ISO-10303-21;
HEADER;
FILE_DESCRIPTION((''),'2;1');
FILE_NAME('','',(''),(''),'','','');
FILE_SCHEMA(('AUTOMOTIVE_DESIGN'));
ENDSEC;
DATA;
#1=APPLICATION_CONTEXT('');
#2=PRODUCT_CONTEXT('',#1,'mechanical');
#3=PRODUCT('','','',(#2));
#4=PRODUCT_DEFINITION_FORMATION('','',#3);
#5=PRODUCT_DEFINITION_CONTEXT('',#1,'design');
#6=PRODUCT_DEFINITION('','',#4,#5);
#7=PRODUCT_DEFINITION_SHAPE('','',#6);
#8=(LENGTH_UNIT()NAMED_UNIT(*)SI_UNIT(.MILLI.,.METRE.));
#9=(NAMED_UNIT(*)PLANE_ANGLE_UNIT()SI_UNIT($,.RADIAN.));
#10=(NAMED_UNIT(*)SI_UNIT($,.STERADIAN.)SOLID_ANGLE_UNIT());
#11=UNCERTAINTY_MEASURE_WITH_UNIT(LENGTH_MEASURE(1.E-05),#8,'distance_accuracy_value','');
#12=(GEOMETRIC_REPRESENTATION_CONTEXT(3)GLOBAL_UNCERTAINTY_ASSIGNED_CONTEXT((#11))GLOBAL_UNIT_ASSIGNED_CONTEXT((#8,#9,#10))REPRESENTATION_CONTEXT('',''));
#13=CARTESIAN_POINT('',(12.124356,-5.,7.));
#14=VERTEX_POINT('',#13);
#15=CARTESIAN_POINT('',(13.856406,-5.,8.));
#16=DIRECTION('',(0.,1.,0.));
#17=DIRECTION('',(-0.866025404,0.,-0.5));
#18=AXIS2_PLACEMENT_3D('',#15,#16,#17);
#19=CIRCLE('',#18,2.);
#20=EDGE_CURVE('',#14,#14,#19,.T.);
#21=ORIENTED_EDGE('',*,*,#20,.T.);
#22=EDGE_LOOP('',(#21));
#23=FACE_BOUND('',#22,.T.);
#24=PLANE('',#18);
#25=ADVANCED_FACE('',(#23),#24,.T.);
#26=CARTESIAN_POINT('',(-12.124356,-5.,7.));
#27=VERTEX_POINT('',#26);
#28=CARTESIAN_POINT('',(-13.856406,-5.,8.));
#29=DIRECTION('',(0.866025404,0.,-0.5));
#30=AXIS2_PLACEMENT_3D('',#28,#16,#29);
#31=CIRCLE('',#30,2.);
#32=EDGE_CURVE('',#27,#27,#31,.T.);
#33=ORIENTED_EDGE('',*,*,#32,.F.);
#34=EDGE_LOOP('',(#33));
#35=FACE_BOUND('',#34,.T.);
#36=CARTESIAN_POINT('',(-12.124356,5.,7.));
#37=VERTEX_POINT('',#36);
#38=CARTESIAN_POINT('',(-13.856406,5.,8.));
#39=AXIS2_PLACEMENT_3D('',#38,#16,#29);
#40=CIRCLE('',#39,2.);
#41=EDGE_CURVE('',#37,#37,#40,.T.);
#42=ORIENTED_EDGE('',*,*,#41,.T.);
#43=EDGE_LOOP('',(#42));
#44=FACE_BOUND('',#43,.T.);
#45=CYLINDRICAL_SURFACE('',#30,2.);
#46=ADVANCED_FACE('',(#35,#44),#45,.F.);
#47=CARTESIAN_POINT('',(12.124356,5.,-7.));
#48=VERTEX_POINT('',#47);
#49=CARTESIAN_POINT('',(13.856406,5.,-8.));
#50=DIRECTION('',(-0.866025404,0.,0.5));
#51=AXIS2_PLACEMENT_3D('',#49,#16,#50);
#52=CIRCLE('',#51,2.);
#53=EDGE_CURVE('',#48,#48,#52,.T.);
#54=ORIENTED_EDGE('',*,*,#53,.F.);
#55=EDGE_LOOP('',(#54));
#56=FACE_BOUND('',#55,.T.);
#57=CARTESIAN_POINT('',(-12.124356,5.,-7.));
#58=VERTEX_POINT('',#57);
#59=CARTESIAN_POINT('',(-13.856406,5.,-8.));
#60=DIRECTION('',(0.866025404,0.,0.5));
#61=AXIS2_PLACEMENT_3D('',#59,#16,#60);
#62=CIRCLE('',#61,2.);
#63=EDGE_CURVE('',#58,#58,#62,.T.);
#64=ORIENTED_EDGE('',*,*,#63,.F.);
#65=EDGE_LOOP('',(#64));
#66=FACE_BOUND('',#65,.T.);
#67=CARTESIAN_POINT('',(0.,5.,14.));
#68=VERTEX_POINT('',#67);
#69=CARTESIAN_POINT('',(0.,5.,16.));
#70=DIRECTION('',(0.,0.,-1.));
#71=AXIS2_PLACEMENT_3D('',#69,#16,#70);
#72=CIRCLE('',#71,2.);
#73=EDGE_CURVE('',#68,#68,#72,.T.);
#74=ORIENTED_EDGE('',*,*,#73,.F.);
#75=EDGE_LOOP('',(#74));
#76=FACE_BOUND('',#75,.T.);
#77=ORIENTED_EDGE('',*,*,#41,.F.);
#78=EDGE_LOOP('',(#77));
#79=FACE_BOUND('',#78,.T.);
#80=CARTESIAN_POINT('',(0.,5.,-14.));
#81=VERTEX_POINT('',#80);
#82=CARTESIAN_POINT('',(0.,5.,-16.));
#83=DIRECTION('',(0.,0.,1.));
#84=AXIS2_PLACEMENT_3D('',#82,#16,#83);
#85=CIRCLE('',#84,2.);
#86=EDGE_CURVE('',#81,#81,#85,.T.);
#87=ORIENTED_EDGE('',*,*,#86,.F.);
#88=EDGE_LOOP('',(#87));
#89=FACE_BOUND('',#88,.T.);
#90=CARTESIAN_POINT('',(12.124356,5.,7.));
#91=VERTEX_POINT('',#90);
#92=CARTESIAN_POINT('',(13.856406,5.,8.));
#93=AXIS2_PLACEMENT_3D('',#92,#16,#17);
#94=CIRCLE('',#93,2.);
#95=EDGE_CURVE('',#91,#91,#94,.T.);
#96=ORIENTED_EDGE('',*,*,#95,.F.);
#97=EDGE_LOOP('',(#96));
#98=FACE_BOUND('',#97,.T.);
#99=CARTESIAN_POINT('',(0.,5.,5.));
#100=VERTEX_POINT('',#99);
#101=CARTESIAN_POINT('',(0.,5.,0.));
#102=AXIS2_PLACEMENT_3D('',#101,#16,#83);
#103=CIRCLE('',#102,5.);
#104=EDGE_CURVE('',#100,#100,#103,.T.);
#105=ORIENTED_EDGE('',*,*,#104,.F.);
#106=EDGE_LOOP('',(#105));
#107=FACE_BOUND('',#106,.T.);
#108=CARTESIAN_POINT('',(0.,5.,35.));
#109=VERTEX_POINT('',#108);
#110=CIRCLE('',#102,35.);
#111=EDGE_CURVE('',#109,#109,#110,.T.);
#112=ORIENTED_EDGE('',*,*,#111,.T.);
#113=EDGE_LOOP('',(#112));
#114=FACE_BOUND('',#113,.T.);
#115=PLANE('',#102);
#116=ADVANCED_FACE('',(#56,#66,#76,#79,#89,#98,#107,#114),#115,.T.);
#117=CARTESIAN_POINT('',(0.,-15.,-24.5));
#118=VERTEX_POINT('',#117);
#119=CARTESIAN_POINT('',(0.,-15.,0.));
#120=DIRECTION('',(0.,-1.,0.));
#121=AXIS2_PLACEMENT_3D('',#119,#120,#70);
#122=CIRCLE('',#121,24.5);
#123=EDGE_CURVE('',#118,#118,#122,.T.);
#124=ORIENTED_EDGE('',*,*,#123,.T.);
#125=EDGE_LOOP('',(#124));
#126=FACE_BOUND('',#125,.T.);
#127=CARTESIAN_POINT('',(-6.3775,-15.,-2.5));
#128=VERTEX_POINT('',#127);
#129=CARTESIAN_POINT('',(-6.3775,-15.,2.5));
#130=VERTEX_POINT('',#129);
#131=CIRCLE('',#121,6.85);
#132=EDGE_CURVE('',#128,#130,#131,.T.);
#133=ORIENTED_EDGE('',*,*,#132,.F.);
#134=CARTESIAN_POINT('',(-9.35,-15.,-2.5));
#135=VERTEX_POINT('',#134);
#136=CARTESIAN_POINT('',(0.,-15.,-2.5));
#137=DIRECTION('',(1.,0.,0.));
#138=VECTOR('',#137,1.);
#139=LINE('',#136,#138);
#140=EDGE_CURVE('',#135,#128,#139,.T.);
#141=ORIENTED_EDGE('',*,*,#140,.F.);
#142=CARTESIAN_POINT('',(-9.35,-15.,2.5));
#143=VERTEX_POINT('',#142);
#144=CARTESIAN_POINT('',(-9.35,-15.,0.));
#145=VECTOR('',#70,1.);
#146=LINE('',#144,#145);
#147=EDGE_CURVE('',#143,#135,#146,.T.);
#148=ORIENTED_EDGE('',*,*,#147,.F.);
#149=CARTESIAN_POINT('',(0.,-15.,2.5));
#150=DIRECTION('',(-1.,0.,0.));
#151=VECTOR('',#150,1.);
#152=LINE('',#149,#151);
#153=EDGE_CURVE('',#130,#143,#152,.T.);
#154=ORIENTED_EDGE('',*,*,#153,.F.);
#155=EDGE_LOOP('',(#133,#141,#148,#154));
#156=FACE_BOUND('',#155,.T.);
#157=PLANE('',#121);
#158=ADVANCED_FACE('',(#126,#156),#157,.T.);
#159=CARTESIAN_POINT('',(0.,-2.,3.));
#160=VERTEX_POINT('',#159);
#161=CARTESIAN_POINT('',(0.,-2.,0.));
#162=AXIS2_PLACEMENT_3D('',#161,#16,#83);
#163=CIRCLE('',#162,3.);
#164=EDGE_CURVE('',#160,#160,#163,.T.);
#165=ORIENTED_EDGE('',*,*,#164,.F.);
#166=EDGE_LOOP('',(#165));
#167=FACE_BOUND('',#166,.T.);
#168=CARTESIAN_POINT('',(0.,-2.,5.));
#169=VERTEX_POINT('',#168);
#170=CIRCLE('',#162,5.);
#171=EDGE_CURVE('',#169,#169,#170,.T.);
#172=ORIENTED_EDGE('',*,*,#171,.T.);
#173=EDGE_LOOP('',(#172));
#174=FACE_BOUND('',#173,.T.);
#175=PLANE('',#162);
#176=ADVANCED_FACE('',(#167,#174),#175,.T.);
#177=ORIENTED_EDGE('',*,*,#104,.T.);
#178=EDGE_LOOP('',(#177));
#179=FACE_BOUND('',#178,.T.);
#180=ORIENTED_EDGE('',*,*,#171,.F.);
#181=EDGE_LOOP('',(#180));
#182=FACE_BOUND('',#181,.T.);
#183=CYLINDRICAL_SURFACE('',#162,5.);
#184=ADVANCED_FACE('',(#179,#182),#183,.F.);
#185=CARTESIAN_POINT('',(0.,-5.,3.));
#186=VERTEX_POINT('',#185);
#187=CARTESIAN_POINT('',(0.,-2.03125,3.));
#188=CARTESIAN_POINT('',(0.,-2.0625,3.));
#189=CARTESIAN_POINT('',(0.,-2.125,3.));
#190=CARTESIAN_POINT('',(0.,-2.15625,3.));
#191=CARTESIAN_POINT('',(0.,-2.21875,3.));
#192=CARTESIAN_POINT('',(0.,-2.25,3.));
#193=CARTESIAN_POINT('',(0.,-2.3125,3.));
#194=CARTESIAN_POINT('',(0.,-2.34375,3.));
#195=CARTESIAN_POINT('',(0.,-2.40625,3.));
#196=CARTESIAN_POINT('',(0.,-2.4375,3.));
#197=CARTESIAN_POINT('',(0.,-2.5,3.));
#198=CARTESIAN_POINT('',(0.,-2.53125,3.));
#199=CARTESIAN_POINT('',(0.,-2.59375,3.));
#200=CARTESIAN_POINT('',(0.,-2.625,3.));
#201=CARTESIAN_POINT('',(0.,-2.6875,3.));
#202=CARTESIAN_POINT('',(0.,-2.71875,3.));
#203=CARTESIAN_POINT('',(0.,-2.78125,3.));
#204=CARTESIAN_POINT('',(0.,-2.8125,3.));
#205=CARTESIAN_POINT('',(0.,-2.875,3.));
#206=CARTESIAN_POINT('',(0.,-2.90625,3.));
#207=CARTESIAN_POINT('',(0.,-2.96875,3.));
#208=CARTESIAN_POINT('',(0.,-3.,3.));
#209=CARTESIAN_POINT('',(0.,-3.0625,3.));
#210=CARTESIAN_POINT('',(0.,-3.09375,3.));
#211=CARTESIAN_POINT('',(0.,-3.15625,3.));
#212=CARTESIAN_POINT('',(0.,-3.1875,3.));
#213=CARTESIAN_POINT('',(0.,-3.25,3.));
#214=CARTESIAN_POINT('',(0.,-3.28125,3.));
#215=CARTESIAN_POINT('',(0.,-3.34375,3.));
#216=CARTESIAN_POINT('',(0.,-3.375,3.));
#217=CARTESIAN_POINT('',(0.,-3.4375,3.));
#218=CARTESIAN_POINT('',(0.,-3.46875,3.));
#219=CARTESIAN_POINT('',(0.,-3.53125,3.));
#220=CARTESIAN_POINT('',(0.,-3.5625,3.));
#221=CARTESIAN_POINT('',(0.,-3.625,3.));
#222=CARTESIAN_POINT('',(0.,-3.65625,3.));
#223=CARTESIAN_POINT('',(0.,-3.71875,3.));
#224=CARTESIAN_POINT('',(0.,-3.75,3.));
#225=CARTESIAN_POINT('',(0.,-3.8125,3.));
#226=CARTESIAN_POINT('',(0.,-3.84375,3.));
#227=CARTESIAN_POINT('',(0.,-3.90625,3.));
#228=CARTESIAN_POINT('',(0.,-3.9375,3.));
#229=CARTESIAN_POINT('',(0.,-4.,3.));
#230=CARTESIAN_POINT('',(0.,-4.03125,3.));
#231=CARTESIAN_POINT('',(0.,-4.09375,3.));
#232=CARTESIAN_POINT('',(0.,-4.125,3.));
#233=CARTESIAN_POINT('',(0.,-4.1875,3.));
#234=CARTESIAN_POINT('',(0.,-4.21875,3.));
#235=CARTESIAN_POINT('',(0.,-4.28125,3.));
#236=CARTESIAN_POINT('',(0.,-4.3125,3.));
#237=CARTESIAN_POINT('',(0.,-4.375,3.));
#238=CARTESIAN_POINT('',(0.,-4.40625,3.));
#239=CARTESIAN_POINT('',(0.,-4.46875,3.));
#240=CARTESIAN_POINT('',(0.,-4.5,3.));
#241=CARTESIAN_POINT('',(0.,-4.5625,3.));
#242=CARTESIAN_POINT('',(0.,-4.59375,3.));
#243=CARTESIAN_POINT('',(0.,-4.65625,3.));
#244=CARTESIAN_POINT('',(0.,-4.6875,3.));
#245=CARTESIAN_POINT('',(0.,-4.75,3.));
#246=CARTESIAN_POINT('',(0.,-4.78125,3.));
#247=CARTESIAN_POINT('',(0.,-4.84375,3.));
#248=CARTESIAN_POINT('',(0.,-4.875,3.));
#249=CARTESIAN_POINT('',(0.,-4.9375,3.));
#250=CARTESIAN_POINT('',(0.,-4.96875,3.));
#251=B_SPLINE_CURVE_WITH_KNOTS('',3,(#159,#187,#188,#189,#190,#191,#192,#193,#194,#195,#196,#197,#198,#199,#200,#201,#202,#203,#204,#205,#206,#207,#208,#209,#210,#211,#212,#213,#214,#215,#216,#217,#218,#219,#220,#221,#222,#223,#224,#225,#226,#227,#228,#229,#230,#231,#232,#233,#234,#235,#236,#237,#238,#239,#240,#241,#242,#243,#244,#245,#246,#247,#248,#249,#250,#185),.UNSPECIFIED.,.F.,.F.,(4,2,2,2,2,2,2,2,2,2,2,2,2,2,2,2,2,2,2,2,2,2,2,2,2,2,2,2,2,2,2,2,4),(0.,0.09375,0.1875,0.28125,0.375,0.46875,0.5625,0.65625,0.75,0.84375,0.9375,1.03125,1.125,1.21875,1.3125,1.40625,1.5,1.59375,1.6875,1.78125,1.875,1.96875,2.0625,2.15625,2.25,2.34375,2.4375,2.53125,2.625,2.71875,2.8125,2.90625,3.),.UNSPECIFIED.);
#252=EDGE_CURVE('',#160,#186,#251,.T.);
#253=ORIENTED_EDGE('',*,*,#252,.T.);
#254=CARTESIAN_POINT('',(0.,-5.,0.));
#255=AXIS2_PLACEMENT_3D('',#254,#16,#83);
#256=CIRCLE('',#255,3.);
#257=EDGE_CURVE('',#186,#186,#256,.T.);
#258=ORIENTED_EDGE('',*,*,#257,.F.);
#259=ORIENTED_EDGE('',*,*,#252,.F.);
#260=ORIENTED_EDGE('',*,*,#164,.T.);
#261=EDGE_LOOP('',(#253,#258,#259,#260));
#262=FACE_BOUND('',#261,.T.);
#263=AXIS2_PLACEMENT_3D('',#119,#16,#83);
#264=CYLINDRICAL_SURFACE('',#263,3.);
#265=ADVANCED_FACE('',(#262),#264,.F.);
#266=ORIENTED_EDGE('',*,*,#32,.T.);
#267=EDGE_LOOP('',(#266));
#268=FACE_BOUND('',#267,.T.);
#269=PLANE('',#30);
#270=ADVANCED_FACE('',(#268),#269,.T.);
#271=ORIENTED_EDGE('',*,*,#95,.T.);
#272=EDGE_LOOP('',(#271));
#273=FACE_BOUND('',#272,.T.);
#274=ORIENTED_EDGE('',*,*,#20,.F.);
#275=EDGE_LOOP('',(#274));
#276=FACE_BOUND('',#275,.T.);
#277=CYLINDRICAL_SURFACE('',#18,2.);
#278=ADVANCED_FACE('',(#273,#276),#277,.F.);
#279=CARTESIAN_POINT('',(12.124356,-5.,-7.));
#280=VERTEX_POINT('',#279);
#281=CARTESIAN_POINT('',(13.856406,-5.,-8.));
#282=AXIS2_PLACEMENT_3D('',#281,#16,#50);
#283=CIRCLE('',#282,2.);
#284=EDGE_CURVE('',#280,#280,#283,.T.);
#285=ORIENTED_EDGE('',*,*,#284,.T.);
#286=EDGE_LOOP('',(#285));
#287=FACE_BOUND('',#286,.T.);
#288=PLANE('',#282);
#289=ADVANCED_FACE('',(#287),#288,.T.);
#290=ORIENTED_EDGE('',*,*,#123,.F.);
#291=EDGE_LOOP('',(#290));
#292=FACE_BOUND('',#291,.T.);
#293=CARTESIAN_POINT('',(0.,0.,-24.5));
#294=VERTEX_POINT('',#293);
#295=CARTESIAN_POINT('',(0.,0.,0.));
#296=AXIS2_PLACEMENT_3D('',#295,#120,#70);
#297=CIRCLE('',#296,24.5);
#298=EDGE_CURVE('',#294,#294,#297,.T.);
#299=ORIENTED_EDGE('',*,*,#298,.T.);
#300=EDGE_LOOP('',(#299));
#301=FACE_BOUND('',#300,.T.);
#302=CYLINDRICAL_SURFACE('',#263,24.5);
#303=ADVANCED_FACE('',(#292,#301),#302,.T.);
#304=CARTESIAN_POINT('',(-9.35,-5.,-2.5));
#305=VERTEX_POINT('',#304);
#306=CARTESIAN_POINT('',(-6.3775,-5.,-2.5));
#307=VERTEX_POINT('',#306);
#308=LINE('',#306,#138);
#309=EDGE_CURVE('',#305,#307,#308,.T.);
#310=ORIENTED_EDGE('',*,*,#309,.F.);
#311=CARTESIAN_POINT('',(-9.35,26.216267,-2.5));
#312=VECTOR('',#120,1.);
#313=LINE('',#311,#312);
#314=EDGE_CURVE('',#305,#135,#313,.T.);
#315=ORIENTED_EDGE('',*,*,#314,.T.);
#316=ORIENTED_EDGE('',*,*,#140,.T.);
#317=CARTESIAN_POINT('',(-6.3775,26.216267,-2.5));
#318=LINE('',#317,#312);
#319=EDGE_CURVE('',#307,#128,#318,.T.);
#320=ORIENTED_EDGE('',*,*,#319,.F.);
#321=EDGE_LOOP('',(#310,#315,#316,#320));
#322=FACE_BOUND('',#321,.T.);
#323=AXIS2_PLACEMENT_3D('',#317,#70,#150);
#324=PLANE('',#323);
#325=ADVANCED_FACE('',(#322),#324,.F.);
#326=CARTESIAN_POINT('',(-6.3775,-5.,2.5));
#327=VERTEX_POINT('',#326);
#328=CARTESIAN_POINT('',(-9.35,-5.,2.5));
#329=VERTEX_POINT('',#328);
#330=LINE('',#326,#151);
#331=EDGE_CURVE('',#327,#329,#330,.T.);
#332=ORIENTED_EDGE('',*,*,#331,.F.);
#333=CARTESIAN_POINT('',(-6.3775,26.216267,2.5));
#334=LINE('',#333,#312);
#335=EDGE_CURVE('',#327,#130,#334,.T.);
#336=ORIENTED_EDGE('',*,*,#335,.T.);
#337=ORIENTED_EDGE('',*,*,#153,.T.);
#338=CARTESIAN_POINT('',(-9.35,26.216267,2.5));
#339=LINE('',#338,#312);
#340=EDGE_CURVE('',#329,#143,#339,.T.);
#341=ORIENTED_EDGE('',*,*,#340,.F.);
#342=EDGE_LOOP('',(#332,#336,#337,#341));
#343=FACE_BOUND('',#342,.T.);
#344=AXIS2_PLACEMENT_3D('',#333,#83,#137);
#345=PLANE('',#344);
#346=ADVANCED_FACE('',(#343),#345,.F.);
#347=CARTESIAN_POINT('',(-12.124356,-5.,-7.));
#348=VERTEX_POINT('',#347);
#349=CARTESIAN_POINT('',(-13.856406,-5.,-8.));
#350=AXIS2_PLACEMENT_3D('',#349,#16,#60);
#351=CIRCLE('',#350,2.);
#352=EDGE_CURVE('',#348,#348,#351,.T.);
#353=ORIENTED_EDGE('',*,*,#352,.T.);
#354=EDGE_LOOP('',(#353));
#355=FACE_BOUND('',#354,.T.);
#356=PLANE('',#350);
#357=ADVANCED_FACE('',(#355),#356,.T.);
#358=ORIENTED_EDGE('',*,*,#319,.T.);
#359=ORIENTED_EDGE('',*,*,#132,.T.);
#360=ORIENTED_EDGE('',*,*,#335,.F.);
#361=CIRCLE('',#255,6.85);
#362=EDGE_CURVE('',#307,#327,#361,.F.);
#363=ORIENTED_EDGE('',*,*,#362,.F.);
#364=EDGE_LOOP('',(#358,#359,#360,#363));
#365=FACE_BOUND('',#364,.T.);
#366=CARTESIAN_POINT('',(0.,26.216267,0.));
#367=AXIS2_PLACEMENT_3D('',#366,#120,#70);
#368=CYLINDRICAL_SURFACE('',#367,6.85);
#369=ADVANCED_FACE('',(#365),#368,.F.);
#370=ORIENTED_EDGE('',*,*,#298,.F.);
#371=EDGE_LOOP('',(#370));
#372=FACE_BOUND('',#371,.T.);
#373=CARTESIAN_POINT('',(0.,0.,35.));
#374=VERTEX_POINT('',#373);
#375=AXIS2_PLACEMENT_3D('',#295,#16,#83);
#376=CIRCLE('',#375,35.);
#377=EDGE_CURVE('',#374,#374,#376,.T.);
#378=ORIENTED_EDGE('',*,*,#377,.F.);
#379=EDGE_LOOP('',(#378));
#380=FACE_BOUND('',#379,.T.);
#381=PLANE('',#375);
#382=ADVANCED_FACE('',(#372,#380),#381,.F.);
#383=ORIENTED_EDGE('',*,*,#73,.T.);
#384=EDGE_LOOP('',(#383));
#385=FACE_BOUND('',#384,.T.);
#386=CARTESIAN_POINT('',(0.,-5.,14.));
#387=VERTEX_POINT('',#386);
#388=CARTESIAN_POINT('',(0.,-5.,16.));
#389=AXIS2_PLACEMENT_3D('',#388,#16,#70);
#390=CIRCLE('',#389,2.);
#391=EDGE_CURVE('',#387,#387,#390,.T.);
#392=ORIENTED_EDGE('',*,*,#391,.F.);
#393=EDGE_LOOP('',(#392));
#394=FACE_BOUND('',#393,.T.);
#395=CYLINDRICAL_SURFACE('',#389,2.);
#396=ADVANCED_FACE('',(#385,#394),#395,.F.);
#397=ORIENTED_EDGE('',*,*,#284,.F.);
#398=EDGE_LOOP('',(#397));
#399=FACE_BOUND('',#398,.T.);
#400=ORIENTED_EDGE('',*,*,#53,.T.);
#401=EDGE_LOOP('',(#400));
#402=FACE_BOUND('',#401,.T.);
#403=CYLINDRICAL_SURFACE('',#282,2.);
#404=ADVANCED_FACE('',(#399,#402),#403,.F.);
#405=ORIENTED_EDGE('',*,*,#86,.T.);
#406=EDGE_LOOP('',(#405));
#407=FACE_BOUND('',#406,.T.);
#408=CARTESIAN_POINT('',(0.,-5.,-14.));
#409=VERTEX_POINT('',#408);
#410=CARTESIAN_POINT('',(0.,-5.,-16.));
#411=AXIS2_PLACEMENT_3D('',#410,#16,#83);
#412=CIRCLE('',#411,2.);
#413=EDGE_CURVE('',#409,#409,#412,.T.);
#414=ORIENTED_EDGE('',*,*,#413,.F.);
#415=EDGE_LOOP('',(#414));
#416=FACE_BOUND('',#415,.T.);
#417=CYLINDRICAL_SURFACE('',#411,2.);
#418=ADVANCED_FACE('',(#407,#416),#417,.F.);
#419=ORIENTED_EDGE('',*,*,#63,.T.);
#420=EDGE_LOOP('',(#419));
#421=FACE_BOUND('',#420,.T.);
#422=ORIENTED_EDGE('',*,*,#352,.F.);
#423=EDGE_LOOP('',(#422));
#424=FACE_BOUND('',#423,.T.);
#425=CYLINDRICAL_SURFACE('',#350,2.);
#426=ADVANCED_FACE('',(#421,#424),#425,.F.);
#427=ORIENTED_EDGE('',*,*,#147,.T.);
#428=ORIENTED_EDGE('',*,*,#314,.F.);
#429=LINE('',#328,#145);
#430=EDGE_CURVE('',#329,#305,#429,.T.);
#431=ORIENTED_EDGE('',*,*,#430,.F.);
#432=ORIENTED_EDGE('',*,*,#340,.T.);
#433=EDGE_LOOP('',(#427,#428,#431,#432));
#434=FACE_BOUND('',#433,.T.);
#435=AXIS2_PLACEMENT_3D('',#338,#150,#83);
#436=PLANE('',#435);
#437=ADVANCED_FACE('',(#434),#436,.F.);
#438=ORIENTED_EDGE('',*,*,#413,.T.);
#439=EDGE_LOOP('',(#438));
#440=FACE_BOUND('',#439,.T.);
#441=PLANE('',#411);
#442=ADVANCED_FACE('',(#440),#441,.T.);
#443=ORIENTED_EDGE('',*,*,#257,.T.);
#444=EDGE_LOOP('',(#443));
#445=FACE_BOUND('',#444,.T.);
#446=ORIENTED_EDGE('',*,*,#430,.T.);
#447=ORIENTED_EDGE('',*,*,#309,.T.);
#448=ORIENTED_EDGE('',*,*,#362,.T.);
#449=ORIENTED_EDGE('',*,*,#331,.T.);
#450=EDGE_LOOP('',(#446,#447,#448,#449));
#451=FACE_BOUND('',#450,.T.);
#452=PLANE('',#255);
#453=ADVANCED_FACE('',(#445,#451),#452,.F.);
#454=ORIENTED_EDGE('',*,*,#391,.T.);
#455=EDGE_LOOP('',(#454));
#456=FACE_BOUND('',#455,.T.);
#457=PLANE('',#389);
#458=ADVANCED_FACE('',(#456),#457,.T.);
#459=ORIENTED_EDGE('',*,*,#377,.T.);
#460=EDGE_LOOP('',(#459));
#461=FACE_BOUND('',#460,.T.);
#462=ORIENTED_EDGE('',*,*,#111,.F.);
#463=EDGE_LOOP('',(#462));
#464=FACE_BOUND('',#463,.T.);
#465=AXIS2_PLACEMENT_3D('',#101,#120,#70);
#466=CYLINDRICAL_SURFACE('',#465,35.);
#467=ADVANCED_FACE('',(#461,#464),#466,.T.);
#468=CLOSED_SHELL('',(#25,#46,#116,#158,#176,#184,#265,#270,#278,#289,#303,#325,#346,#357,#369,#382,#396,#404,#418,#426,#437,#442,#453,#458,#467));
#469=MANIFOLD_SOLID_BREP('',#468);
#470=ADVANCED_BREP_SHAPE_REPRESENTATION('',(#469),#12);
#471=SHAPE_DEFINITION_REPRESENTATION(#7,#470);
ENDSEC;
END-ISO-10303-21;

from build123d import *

# Parameters (mm, degrees)
CROQUIS1_R              = 35
SALIENTE_EXTRUIR1_DEPTH = 5
CROQUIS2_R              = 24.5
SALIENTE_EXTRUIR2_DEPTH = 15
CROQUIS3_R              = 6.85
SALIENTE_EXTRUIR3_DEPTH = 30
CROQUIS4_R              = 2
CORTAR_EXTRUIR1_DEPTH   = 10
MATRIZC1_COUNT          = 6
CORTAR_EXTRUIR2_START   = -30
CORTAR_EXTRUIR2_DEPTH   = 30
CUT_EXTRUDE1_START      = -40
CUT_EXTRUDE1_DEPTH      = 40
SKETCH2_R               = 5
CUT_EXTRUDE2_DEPTH      = 7
SKETCH3_R               = 3
CUT_EXTRUDE3_DEPTH      = 52.176166328


with BuildPart() as part:
    # Croquis1 → Saliente-Extruir1 (new body)
    with BuildSketch(Plane(origin=(0, 0, 0), x_dir=(1, 0, 0), z_dir=(0, 1, 0))):
        with Locations(Location((0, 0, 0), (0, 0, 270))):
            Circle(CROQUIS1_R)
    extrude(amount=SALIENTE_EXTRUIR1_DEPTH)

    # Croquis2 → Saliente-Extruir2 (add)
    with BuildSketch(Plane.XZ):
        with Locations(Location((0, 0, 0), (0, 0, 270))):
            Circle(CROQUIS2_R)
    extrude(amount=SALIENTE_EXTRUIR2_DEPTH)

    # Croquis3 → Saliente-Extruir3 (add)
    with BuildSketch(Plane.XZ.offset(15)):
        with Locations(Location((0, 0, 0), (0, 0, 270))):
            Circle(CROQUIS3_R)
    extrude(amount=SALIENTE_EXTRUIR3_DEPTH)

    # Croquis4 → Cortar-Extruir1 (cut)
    with BuildSketch(Plane(origin=(0, 5, 0), x_dir=(1, 0, 0), z_dir=(0, 1, 0))):
        with Locations(Location((0, 16, 0), (0, 0, 270))):
            Circle(CROQUIS4_R)
    cortar_extruir1 = extrude(amount=-CORTAR_EXTRUIR1_DEPTH, mode=Mode.SUBTRACT)

    # MatrizC1: Cortar-Extruir1 ×6 about axis
    matrizc1_axis = Axis((0, 0, 0), (0, 1, 0))
    for i in range(1, MATRIZC1_COUNT):
        add(cortar_extruir1.rotate(matrizc1_axis, i * 360 / MATRIZC1_COUNT), mode=Mode.SUBTRACT)

    # Croquis7 → Cortar-Extruir2 (cut)
    with BuildSketch(Plane.XZ.offset(45).offset(CORTAR_EXTRUIR2_START)):
        with BuildLine():
            Line((-6.37749951, 2.5), (-3.47749951, 2.5))
            Line((-3.47749951, 2.5), (-3.47749951, -2.5))
            Line((-3.47749951, -2.5), (-6.37749951, -2.5))
            ThreePointArc((-6.37749951, -2.5), (-6.85, 0), (-6.37749951, 2.5))
        make_face()
    extrude(amount=CORTAR_EXTRUIR2_DEPTH, mode=Mode.SUBTRACT)

    # Sketch1 → Cut-Extrude1 (cut)
    with BuildSketch(Plane.XZ.offset(45).offset(CUT_EXTRUDE1_START)):
        with BuildLine():
            Line((-6.37749951, -2.5), (-9.35, -2.5))
            Line((-9.35, -2.5), (-9.35, 2.5))
            Line((-9.35, 2.5), (-6.37749951, 2.5))
            ThreePointArc((-6.37749951, 2.5), (6.85, 0), (-6.37749951, -2.5))
        make_face()
    extrude(amount=CUT_EXTRUDE1_DEPTH, mode=Mode.SUBTRACT)

    # Sketch2 → Cut-Extrude2 (cut)
    with BuildSketch(Plane(origin=(0, 5, 0), x_dir=(1, 0, 0), z_dir=(0, 1, 0))):
        with Locations(Location((0, 0, 0), (0, 0, 270))):
            Circle(SKETCH2_R)
    extrude(amount=-CUT_EXTRUDE2_DEPTH, mode=Mode.SUBTRACT)

    # Sketch3 → Cut-Extrude3 (cut, through all)
    with BuildSketch(Plane(origin=(0, -2, 0), x_dir=(1, 0, 0), z_dir=(0, 1, 0))):
        with Locations(Location((0, 0, 0), (0, 0, 270))):
            Circle(SKETCH3_R)
    extrude(amount=-CUT_EXTRUDE3_DEPTH, mode=Mode.SUBTRACT)


solid = part.part
